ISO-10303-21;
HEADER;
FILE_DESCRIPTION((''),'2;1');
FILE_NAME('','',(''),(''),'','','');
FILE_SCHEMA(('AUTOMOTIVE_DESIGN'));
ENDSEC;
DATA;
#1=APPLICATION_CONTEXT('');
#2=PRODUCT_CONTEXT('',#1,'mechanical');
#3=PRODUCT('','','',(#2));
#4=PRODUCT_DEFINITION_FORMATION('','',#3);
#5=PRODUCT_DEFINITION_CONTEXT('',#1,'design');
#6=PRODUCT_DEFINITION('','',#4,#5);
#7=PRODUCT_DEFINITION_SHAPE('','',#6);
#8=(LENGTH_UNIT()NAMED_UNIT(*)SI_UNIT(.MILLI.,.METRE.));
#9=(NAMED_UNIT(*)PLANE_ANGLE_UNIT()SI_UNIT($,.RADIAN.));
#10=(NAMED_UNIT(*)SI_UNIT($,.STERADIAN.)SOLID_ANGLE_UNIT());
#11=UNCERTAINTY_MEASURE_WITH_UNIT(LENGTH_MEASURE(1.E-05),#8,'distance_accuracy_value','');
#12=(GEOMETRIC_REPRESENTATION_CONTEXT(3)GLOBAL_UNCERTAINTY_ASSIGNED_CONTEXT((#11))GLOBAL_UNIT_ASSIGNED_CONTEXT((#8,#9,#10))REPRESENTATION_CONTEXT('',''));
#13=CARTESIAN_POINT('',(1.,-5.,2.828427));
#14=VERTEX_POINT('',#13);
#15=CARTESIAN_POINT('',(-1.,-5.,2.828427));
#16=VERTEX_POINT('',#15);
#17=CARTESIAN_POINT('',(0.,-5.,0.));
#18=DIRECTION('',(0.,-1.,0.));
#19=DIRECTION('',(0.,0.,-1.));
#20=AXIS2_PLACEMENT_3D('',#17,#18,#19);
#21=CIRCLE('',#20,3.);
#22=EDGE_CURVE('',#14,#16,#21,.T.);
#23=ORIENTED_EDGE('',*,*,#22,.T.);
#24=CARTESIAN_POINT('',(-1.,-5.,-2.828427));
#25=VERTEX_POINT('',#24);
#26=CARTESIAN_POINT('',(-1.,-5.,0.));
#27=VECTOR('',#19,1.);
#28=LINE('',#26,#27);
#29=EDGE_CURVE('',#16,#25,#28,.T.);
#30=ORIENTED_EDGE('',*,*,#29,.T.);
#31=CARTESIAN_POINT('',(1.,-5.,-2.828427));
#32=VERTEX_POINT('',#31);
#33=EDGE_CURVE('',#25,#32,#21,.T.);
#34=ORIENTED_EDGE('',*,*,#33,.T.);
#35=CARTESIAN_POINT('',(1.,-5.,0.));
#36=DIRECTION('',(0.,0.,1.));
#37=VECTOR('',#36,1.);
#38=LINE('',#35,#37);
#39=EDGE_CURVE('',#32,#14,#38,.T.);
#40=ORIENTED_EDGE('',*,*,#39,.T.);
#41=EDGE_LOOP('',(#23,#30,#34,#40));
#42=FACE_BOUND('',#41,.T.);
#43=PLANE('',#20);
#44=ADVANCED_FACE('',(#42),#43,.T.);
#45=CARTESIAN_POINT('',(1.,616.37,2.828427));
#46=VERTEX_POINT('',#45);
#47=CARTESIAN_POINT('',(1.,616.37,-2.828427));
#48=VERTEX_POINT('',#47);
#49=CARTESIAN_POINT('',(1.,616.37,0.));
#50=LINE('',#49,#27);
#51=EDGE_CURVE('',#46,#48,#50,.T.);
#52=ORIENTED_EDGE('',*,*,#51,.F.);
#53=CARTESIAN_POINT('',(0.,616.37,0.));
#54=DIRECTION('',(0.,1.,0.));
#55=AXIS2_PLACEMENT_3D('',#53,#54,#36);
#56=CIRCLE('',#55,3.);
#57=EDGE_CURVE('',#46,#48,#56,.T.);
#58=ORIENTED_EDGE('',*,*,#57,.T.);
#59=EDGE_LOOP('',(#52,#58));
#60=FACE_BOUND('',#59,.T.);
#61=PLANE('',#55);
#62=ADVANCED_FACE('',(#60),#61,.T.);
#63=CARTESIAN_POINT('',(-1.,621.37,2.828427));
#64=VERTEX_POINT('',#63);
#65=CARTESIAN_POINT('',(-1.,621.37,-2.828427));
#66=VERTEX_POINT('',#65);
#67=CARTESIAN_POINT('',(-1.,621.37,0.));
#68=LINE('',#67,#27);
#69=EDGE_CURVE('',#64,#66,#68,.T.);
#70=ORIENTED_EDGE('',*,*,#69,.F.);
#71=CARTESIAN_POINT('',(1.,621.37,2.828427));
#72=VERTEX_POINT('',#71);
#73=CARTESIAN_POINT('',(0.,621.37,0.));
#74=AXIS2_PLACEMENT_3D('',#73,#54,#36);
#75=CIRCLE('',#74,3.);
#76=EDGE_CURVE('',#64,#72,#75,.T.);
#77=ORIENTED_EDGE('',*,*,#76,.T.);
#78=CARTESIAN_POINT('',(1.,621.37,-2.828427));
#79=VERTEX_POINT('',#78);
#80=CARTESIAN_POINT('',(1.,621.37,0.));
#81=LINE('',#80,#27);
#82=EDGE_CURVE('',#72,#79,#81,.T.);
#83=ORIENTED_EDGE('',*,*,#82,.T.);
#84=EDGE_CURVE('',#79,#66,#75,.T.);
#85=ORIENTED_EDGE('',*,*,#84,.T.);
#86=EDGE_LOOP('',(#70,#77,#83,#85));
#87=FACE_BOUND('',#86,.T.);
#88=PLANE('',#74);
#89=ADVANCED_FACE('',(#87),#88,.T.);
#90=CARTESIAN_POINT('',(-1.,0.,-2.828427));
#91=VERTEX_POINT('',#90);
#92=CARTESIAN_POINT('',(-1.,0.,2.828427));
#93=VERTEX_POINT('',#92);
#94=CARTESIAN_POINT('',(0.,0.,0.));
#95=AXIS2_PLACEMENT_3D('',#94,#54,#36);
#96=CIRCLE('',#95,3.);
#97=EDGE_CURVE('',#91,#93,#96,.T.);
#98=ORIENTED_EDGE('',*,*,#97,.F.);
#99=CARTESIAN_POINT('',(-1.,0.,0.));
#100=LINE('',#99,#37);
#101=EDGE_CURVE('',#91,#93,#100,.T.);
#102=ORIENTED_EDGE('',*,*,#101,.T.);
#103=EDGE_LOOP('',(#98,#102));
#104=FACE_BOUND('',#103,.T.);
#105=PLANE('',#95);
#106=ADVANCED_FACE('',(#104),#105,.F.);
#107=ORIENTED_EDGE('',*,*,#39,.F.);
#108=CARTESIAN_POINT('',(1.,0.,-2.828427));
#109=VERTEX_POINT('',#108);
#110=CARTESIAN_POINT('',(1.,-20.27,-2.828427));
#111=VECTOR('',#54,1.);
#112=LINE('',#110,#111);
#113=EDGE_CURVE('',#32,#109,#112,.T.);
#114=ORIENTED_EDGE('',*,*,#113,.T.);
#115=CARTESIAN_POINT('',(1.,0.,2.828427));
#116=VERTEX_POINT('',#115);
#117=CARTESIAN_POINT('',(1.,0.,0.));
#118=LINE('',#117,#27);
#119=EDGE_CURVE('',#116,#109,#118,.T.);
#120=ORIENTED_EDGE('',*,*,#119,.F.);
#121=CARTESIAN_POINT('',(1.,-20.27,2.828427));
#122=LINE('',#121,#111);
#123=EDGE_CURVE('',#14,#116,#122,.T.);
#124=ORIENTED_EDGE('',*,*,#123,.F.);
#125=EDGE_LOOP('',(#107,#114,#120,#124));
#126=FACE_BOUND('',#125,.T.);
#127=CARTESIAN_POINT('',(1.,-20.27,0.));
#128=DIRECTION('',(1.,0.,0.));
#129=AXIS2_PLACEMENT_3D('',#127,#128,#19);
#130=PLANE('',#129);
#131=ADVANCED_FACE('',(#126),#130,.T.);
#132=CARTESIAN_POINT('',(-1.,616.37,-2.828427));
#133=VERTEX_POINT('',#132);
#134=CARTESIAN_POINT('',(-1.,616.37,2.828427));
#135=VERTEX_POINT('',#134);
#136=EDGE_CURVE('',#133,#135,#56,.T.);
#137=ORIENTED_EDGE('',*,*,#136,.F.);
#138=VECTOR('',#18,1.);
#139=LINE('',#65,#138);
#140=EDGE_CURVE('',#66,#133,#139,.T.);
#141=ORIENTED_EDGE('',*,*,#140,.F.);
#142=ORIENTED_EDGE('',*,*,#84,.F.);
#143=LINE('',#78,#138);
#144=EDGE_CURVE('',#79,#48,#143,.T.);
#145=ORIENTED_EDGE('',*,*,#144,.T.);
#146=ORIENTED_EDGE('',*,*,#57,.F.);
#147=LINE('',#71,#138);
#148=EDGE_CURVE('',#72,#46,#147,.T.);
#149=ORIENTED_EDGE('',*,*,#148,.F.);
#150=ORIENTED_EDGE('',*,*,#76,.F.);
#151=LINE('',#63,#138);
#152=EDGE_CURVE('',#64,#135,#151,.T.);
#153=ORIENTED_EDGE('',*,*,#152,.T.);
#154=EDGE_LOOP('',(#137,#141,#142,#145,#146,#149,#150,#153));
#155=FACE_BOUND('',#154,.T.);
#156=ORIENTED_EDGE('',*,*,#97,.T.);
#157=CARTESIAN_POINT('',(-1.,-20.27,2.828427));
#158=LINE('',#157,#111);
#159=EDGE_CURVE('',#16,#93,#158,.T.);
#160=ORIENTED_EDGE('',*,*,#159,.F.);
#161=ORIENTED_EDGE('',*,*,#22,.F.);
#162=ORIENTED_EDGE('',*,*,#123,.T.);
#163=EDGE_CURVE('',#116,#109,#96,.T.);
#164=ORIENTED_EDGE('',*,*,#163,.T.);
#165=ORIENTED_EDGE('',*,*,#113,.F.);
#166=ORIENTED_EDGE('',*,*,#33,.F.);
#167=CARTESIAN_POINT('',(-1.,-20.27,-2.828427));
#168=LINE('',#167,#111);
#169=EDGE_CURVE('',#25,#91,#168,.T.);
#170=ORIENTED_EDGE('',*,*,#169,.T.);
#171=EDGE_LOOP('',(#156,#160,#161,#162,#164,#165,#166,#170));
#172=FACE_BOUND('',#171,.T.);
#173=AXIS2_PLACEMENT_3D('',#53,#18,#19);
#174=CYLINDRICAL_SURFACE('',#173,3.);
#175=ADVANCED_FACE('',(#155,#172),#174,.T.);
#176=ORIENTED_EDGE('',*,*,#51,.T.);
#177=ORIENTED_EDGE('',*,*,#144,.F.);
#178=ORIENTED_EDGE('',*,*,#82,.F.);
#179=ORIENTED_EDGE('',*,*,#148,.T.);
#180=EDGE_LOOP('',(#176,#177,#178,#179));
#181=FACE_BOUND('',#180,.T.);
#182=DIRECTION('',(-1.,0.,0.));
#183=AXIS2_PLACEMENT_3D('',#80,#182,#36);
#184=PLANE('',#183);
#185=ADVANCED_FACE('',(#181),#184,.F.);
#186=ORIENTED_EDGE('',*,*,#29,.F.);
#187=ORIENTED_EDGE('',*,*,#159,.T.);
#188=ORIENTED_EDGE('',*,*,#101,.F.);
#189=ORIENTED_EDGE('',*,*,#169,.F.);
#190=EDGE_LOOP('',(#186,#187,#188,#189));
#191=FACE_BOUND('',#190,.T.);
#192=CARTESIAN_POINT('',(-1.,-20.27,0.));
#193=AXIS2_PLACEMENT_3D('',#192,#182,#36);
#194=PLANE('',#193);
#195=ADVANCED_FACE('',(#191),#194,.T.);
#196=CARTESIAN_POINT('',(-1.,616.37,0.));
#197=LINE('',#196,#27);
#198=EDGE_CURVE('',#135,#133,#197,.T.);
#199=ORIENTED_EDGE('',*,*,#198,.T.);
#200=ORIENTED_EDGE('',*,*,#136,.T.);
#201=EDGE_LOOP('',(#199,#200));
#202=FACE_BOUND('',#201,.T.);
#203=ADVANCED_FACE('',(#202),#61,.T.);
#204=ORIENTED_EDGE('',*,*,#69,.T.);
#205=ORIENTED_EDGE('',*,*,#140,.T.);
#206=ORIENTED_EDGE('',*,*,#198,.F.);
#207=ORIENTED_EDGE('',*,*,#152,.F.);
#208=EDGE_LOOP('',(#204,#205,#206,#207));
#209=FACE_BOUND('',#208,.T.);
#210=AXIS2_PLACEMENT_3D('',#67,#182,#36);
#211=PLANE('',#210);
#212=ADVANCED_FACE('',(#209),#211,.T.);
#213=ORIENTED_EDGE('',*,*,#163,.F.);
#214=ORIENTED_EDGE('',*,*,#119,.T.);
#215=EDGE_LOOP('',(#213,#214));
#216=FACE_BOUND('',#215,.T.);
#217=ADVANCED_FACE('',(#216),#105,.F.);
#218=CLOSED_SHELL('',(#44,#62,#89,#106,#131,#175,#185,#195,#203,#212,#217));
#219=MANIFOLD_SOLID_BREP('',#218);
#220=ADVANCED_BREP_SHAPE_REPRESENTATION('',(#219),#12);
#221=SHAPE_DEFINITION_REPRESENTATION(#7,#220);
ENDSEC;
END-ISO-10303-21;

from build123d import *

# Parameters (mm, degrees)
SKETCH1_R           = 3
BOSS_EXTRUDE1_DEPTH = 616.37
BOSS_EXTRUDE3_DEPTH = 5
SKETCH4_W           = 2
SKETCH4_H           = 5.65685425
BOSS_EXTRUDE4_DEPTH = 641.64
SKETCH5_W           = 2
SKETCH5_H           = 5.65685425
CUT_EXTRUDE2_DEPTH  = 15.27


with BuildPart() as part:
    # Sketch1 → Boss-Extrude1 (new body)
    with BuildSketch(Plane(origin=(0, 0, 0), x_dir=(1, 0, 0), z_dir=(0, 1, 0))):
        Circle(SKETCH1_R)
    extrude(amount=BOSS_EXTRUDE1_DEPTH)

    # Sketch2 → Boss-Extrude3 (add)
    with BuildSketch(Plane(origin=(0, 616.37, 0), x_dir=(1, 0, 0), z_dir=(0, 1, 0))):
        with BuildLine():
            ThreePointArc((-1, -2.828427125), (-0.507305936, -2.956795679), (0, -3))
            ThreePointArc((0, -3), (0.507305936, -2.956795679), (1, -2.828427125))
            Line((1, -2.828427125), (1, 2.828427125))
            ThreePointArc((1, 2.828427125), (0.507305936, 2.956795679), (0, 3))
            ThreePointArc((0, 3), (-0.507305936, 2.956795679), (-1, 2.828427125))
            Line((-1, 2.828427125), (-1, -2.828427125))
        make_face()
    extrude(amount=BOSS_EXTRUDE3_DEPTH)

    # Sketch4 → Boss-Extrude4 (add)
    with BuildSketch(Plane(origin=(0, 621.37, 0), x_dir=(1, 0, 0), z_dir=(0, 1, 0))):
        Rectangle(SKETCH4_W, SKETCH4_H)
        with BuildLine():
            Line((-1, -2.828427125), (1, -2.828427125))
            ThreePointArc((1, -2.828427125), (0, -3), (-1, -2.828427125))
        make_face()
        with BuildLine():
            Line((-1, 2.828427125), (1, 2.828427125))
            ThreePointArc((1, 2.828427125), (0, 3), (-1, 2.828427125))
        make_face()
    extrude(amount=-BOSS_EXTRUDE4_DEPTH)

    # Sketch5 → Cut-Extrude2 (cut)
    with BuildSketch(Plane.XZ.offset(20.27)):
        with BuildLine():
            Line((-1, -2.828427125), (1, -2.828427125))
            ThreePointArc((1, -2.828427125), (0, -3), (-1, -2.828427125))
        make_face()
        Rectangle(SKETCH5_W, SKETCH5_H)
        with BuildLine():
            Line((-1, 2.828427125), (1, 2.828427125))
            ThreePointArc((1, 2.828427125), (0, 3), (-1, 2.828427125))
        make_face()
    extrude(amount=-CUT_EXTRUDE2_DEPTH, mode=Mode.SUBTRACT)


solid = part.part
